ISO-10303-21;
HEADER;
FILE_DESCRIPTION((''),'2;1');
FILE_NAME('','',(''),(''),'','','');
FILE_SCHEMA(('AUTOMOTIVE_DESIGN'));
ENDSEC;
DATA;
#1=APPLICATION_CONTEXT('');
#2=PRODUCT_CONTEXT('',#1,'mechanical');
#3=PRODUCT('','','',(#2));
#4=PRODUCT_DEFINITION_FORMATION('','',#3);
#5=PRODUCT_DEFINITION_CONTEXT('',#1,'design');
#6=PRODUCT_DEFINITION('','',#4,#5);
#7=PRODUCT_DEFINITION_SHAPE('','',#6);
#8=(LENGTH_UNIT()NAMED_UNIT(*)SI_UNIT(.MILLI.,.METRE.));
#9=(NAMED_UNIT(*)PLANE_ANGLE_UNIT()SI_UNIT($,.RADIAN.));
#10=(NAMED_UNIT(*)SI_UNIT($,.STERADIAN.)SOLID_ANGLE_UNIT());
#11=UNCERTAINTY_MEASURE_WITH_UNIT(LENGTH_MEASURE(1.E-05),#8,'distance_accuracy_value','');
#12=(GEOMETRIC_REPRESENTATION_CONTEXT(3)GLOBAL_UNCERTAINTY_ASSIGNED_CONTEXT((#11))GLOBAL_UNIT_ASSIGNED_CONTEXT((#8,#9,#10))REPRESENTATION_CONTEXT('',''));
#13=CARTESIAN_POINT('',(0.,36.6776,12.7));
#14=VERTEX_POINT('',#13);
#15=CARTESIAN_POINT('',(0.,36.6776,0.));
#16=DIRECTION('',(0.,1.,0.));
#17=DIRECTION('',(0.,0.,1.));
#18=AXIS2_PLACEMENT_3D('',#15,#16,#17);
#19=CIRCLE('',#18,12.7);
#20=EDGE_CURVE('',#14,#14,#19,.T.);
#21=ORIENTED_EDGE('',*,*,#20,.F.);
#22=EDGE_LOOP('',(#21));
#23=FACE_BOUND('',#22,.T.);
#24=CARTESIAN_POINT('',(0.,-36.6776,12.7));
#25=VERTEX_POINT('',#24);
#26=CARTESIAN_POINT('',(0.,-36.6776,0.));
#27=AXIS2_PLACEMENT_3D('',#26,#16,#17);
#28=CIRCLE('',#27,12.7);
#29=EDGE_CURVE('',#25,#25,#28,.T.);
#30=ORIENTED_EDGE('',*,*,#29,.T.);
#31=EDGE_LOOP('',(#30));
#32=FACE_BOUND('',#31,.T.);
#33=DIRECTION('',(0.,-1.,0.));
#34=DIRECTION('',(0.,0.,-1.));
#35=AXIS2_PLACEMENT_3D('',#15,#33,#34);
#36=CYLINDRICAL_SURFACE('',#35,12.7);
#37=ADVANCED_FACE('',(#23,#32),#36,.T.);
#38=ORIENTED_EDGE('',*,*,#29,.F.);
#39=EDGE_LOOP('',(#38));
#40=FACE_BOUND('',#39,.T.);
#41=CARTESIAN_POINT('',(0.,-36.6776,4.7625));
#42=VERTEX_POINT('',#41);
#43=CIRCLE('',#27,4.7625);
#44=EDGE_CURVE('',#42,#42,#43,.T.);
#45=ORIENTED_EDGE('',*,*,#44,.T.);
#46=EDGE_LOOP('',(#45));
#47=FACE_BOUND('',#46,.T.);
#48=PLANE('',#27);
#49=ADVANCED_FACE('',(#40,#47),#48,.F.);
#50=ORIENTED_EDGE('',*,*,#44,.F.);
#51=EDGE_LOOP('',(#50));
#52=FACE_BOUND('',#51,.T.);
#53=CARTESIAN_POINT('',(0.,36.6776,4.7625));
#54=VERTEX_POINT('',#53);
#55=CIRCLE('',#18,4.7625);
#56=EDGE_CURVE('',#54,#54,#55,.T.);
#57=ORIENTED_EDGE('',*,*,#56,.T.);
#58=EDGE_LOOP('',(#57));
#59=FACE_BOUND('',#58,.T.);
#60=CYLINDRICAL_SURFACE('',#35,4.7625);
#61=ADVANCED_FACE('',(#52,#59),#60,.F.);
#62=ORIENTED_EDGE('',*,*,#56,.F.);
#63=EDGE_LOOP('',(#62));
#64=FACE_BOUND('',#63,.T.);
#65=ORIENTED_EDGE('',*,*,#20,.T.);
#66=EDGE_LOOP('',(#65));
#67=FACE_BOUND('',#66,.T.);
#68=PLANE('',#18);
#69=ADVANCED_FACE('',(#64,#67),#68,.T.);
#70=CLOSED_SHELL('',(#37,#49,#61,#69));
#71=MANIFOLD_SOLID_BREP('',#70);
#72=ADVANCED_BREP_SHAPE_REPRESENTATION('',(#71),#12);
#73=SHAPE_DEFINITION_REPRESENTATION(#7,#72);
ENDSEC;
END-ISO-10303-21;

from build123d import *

# Parameters (mm, degrees)
SKETCH1_R           = 12.7
SKETCH1_R_2         = 4.7625
BOSS_EXTRUDE1_DEPTH = 36.6776


with BuildPart() as part:
    # Sketch1 → Boss-Extrude1 (new body, symmetric)
    with BuildSketch(Plane(origin=(0, 0, 0), x_dir=(1, 0, 0), z_dir=(0, 1, 0))):
        Circle(SKETCH1_R)
        Circle(SKETCH1_R_2, mode=Mode.SUBTRACT)
    extrude(amount=BOSS_EXTRUDE1_DEPTH, both=True)


solid = part.part
